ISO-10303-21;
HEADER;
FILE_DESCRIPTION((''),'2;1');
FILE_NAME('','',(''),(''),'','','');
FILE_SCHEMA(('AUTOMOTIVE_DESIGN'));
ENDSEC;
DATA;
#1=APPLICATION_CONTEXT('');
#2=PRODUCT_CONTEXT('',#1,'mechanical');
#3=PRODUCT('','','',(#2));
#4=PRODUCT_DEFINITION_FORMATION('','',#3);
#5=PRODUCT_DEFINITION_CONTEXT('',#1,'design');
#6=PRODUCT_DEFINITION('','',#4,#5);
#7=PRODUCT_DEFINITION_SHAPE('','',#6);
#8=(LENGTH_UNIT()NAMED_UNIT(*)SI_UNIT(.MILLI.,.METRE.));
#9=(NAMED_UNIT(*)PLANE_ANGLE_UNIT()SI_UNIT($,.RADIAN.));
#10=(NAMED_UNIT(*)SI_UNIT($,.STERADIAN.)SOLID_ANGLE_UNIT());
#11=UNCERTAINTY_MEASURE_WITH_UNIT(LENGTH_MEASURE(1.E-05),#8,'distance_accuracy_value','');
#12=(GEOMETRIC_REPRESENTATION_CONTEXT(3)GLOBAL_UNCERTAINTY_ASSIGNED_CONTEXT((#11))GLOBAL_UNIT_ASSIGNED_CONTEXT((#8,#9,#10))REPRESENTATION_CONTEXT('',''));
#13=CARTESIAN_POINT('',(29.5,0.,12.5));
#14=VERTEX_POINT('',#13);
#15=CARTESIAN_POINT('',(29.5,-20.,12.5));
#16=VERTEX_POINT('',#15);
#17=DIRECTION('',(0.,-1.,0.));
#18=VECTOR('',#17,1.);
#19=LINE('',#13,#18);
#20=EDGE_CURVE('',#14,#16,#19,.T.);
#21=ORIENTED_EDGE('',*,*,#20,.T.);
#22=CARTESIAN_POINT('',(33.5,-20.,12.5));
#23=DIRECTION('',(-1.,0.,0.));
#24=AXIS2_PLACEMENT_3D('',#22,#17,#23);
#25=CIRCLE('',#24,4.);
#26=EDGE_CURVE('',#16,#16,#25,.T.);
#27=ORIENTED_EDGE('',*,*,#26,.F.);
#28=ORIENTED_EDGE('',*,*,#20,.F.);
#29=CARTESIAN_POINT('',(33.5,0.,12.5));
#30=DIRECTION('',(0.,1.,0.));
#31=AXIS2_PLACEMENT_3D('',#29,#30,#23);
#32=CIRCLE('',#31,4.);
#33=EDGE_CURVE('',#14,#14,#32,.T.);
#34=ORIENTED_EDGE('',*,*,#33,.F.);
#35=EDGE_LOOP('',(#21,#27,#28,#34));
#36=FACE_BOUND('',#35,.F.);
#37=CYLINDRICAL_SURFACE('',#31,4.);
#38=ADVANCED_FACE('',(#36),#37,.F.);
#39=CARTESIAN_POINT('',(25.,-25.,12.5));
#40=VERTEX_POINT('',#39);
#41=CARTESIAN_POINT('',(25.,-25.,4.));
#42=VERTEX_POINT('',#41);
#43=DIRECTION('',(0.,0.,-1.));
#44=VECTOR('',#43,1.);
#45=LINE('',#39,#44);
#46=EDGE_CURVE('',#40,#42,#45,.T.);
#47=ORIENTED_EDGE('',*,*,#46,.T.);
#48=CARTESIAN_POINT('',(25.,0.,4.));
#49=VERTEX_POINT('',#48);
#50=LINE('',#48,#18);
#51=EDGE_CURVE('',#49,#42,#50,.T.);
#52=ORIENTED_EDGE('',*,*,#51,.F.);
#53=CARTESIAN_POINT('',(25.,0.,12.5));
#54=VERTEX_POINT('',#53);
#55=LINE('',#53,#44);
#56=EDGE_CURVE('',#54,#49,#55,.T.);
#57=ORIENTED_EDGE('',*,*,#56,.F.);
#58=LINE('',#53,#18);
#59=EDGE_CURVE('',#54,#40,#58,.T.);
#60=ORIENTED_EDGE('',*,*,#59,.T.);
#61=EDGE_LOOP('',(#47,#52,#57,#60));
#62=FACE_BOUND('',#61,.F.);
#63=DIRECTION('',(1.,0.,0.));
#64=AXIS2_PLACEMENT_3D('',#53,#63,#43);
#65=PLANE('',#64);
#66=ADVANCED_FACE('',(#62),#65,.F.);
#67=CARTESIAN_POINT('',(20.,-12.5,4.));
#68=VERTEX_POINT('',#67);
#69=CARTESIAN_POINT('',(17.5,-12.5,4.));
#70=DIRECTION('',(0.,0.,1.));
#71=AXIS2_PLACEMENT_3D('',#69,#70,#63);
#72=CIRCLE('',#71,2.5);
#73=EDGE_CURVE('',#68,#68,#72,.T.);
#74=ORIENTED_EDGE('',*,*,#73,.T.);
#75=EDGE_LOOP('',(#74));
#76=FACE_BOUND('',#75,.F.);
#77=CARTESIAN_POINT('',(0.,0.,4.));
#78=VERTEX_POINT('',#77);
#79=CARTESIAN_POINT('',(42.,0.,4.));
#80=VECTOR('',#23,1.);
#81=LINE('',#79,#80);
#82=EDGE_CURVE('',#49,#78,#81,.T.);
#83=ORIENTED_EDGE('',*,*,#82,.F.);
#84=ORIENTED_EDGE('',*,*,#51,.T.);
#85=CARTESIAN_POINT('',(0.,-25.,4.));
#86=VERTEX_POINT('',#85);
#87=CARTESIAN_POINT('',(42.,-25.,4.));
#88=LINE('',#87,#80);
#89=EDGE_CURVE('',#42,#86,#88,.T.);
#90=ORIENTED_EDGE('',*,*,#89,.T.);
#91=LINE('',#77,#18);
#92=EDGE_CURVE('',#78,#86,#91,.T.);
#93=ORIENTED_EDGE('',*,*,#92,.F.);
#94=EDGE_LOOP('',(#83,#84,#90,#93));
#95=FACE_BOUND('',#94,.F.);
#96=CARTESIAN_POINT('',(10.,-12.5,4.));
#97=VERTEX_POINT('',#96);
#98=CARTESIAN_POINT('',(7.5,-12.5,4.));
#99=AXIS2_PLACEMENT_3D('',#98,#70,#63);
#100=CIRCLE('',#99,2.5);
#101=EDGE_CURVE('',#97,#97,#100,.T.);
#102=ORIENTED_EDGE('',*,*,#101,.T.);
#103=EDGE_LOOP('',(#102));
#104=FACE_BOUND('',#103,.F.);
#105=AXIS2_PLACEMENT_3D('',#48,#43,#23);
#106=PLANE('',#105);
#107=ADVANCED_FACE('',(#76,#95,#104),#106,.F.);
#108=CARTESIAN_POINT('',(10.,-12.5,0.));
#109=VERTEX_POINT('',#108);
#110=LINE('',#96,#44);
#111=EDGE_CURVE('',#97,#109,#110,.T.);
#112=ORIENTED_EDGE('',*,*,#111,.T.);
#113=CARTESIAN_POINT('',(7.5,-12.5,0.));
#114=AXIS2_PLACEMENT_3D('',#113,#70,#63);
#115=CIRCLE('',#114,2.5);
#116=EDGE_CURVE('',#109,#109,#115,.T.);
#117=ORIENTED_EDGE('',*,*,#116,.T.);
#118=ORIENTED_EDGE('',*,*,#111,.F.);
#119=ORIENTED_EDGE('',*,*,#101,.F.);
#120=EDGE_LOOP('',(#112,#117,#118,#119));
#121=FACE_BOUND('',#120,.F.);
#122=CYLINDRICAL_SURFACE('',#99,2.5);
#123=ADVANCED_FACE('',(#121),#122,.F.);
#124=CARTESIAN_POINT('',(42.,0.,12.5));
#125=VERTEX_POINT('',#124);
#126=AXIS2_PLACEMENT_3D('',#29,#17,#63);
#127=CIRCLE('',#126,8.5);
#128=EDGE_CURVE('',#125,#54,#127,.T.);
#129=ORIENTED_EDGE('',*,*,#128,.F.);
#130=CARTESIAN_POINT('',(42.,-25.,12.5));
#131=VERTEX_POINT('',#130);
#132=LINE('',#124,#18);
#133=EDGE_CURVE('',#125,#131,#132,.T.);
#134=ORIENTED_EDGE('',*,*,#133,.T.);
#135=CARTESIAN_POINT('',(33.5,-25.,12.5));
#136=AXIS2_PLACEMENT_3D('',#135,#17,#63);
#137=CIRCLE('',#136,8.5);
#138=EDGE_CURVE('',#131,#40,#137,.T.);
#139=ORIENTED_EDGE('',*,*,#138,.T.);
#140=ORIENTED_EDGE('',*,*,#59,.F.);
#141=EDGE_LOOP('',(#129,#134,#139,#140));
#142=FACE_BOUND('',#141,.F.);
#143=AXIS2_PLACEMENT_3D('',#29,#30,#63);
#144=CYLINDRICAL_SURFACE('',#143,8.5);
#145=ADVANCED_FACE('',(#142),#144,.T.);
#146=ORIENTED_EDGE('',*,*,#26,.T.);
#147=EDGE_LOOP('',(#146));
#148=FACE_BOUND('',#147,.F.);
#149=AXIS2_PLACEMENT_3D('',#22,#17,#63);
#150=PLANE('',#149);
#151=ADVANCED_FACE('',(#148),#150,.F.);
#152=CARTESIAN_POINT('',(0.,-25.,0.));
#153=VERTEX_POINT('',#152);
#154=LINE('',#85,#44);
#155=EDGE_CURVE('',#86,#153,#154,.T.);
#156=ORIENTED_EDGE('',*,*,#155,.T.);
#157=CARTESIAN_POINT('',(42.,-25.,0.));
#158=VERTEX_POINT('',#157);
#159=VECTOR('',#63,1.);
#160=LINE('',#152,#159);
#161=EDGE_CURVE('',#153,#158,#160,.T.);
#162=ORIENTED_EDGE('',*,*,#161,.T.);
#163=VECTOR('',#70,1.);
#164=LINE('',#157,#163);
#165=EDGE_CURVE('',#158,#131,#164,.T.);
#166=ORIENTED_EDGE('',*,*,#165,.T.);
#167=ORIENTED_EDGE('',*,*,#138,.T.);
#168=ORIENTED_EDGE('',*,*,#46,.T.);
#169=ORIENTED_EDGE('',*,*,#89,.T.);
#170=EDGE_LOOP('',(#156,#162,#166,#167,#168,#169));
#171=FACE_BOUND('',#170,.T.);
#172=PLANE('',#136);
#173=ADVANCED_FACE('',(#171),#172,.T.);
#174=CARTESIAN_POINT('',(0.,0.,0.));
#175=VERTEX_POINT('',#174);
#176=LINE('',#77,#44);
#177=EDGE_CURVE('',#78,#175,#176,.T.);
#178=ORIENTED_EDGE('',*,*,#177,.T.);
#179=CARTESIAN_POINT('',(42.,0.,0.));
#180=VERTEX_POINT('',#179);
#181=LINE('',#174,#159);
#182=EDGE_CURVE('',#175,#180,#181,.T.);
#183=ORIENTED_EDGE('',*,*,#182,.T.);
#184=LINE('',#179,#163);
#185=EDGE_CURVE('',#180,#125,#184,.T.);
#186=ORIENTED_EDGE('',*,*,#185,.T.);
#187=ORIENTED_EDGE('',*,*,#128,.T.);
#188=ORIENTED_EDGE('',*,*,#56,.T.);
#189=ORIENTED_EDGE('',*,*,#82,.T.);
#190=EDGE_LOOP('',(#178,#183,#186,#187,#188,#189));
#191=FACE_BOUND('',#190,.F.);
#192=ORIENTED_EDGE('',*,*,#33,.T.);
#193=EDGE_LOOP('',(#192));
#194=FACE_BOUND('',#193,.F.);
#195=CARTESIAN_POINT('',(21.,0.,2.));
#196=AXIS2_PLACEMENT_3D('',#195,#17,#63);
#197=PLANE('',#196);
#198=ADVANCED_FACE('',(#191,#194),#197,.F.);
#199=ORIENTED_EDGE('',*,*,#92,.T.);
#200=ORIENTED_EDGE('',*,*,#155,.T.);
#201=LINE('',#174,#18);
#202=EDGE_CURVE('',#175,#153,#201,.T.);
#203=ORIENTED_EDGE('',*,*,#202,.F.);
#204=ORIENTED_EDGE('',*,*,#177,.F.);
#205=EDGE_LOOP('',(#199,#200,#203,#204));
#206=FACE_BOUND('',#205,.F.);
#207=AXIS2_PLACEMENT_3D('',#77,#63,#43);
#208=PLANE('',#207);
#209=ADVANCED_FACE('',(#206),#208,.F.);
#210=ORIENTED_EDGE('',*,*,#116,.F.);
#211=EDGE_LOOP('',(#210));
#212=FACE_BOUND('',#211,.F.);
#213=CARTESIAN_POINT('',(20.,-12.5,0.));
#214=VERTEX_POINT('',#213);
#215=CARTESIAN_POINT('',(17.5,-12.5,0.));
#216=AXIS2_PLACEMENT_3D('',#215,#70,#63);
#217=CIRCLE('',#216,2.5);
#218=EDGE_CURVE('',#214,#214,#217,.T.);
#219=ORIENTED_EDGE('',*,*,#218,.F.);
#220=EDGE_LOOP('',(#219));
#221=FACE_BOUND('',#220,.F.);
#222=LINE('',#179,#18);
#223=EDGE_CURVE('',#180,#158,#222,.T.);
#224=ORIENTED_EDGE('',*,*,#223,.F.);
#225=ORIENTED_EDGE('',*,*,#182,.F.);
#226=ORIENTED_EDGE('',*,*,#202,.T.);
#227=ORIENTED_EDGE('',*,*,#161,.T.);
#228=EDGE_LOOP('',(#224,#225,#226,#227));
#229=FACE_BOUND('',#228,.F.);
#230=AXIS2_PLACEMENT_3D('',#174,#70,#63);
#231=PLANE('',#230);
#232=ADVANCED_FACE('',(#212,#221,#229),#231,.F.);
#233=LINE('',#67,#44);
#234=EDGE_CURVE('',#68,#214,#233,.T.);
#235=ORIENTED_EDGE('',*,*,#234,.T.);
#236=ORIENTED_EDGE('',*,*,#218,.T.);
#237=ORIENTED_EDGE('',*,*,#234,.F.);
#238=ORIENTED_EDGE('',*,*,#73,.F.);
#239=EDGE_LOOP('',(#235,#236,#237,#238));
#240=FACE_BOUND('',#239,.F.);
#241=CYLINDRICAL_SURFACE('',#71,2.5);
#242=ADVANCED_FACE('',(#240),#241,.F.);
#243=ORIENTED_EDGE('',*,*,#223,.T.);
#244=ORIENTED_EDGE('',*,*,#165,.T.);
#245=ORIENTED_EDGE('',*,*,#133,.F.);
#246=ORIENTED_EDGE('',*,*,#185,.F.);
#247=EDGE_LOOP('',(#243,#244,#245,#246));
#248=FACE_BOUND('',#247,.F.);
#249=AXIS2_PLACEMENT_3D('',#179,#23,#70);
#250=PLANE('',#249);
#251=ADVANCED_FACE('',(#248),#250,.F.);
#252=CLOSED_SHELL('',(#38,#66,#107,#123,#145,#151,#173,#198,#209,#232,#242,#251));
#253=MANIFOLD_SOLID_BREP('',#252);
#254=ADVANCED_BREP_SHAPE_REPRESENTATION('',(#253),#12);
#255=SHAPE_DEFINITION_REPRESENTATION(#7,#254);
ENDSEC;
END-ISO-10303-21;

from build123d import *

# Parameters (mm, degrees)
F1_DEPTH = 25
F3_DEPTH = 25
F4_R     = 4
F5_DEPTH = 5


with BuildPart() as f1:
    # F0 (on Front) → F1 (new body)
    with BuildSketch(Plane.XZ):
        Polygon((0, 4), (0, 0), (42, 0), (42, 4), (33.5, 4), (25, 4), align=None)
        with BuildLine():
            Line((25, 12.5), (25, 4))
            Line((25, 4), (33.5, 4))
            ThreePointArc((33.5, 4), (27.4895923599, 6.4895923599), (25, 12.5))
        make_face()
        with BuildLine():
            ThreePointArc((25, 12.5), (27.4895923599, 6.4895923599), (33.5, 4))
            ThreePointArc((33.5, 4), (39.5104076401, 6.4895923599), (42, 12.5))
            ThreePointArc((42, 12.5), (33.5, 21), (25, 12.5))
        make_face()
        with BuildLine():
            ThreePointArc((37.5, 12.5), (33.5, 8.5), (29.5, 12.5))
            ThreePointArc((29.5, 12.5), (33.5, 16.5), (37.5, 12.5))
        make_face(mode=Mode.SUBTRACT)
        with BuildLine():
            Line((33.5, 4), (42, 4))
            Line((42, 4), (42, 12.5))
            ThreePointArc((42, 12.5), (39.5104076401, 6.4895923599), (33.5, 4))
        make_face()
    extrude(amount=F1_DEPTH)

    # F2 (on face) → F3 (cut)
    with BuildSketch(Plane.XY.offset(4)):
        with BuildLine():
            ThreePointArc((5, -12.5), (7.5, -15), (10, -12.5))
            Line((10, -12.5), (5, -12.5))
        make_face()
        with BuildLine():
            Line((5, -12.5), (10, -12.5))
            ThreePointArc((10, -12.5), (7.5, -10), (5, -12.5))
        make_face()
        with BuildLine():
            ThreePointArc((15, -12.5), (17.5, -15), (20, -12.5))
            Line((20, -12.5), (15, -12.5))
        make_face()
        with BuildLine():
            Line((15, -12.5), (20, -12.5))
            ThreePointArc((20, -12.5), (17.5, -10), (15, -12.5))
        make_face()
    extrude(amount=-F3_DEPTH, mode=Mode.SUBTRACT)

    # F4 (on face) → F5 (join)
    with BuildSketch(Plane.XZ.offset(25)):
        with Locations((33.5, 12.5)):
            Circle(F4_R)
    extrude(amount=-F5_DEPTH)


solid = f1.part
